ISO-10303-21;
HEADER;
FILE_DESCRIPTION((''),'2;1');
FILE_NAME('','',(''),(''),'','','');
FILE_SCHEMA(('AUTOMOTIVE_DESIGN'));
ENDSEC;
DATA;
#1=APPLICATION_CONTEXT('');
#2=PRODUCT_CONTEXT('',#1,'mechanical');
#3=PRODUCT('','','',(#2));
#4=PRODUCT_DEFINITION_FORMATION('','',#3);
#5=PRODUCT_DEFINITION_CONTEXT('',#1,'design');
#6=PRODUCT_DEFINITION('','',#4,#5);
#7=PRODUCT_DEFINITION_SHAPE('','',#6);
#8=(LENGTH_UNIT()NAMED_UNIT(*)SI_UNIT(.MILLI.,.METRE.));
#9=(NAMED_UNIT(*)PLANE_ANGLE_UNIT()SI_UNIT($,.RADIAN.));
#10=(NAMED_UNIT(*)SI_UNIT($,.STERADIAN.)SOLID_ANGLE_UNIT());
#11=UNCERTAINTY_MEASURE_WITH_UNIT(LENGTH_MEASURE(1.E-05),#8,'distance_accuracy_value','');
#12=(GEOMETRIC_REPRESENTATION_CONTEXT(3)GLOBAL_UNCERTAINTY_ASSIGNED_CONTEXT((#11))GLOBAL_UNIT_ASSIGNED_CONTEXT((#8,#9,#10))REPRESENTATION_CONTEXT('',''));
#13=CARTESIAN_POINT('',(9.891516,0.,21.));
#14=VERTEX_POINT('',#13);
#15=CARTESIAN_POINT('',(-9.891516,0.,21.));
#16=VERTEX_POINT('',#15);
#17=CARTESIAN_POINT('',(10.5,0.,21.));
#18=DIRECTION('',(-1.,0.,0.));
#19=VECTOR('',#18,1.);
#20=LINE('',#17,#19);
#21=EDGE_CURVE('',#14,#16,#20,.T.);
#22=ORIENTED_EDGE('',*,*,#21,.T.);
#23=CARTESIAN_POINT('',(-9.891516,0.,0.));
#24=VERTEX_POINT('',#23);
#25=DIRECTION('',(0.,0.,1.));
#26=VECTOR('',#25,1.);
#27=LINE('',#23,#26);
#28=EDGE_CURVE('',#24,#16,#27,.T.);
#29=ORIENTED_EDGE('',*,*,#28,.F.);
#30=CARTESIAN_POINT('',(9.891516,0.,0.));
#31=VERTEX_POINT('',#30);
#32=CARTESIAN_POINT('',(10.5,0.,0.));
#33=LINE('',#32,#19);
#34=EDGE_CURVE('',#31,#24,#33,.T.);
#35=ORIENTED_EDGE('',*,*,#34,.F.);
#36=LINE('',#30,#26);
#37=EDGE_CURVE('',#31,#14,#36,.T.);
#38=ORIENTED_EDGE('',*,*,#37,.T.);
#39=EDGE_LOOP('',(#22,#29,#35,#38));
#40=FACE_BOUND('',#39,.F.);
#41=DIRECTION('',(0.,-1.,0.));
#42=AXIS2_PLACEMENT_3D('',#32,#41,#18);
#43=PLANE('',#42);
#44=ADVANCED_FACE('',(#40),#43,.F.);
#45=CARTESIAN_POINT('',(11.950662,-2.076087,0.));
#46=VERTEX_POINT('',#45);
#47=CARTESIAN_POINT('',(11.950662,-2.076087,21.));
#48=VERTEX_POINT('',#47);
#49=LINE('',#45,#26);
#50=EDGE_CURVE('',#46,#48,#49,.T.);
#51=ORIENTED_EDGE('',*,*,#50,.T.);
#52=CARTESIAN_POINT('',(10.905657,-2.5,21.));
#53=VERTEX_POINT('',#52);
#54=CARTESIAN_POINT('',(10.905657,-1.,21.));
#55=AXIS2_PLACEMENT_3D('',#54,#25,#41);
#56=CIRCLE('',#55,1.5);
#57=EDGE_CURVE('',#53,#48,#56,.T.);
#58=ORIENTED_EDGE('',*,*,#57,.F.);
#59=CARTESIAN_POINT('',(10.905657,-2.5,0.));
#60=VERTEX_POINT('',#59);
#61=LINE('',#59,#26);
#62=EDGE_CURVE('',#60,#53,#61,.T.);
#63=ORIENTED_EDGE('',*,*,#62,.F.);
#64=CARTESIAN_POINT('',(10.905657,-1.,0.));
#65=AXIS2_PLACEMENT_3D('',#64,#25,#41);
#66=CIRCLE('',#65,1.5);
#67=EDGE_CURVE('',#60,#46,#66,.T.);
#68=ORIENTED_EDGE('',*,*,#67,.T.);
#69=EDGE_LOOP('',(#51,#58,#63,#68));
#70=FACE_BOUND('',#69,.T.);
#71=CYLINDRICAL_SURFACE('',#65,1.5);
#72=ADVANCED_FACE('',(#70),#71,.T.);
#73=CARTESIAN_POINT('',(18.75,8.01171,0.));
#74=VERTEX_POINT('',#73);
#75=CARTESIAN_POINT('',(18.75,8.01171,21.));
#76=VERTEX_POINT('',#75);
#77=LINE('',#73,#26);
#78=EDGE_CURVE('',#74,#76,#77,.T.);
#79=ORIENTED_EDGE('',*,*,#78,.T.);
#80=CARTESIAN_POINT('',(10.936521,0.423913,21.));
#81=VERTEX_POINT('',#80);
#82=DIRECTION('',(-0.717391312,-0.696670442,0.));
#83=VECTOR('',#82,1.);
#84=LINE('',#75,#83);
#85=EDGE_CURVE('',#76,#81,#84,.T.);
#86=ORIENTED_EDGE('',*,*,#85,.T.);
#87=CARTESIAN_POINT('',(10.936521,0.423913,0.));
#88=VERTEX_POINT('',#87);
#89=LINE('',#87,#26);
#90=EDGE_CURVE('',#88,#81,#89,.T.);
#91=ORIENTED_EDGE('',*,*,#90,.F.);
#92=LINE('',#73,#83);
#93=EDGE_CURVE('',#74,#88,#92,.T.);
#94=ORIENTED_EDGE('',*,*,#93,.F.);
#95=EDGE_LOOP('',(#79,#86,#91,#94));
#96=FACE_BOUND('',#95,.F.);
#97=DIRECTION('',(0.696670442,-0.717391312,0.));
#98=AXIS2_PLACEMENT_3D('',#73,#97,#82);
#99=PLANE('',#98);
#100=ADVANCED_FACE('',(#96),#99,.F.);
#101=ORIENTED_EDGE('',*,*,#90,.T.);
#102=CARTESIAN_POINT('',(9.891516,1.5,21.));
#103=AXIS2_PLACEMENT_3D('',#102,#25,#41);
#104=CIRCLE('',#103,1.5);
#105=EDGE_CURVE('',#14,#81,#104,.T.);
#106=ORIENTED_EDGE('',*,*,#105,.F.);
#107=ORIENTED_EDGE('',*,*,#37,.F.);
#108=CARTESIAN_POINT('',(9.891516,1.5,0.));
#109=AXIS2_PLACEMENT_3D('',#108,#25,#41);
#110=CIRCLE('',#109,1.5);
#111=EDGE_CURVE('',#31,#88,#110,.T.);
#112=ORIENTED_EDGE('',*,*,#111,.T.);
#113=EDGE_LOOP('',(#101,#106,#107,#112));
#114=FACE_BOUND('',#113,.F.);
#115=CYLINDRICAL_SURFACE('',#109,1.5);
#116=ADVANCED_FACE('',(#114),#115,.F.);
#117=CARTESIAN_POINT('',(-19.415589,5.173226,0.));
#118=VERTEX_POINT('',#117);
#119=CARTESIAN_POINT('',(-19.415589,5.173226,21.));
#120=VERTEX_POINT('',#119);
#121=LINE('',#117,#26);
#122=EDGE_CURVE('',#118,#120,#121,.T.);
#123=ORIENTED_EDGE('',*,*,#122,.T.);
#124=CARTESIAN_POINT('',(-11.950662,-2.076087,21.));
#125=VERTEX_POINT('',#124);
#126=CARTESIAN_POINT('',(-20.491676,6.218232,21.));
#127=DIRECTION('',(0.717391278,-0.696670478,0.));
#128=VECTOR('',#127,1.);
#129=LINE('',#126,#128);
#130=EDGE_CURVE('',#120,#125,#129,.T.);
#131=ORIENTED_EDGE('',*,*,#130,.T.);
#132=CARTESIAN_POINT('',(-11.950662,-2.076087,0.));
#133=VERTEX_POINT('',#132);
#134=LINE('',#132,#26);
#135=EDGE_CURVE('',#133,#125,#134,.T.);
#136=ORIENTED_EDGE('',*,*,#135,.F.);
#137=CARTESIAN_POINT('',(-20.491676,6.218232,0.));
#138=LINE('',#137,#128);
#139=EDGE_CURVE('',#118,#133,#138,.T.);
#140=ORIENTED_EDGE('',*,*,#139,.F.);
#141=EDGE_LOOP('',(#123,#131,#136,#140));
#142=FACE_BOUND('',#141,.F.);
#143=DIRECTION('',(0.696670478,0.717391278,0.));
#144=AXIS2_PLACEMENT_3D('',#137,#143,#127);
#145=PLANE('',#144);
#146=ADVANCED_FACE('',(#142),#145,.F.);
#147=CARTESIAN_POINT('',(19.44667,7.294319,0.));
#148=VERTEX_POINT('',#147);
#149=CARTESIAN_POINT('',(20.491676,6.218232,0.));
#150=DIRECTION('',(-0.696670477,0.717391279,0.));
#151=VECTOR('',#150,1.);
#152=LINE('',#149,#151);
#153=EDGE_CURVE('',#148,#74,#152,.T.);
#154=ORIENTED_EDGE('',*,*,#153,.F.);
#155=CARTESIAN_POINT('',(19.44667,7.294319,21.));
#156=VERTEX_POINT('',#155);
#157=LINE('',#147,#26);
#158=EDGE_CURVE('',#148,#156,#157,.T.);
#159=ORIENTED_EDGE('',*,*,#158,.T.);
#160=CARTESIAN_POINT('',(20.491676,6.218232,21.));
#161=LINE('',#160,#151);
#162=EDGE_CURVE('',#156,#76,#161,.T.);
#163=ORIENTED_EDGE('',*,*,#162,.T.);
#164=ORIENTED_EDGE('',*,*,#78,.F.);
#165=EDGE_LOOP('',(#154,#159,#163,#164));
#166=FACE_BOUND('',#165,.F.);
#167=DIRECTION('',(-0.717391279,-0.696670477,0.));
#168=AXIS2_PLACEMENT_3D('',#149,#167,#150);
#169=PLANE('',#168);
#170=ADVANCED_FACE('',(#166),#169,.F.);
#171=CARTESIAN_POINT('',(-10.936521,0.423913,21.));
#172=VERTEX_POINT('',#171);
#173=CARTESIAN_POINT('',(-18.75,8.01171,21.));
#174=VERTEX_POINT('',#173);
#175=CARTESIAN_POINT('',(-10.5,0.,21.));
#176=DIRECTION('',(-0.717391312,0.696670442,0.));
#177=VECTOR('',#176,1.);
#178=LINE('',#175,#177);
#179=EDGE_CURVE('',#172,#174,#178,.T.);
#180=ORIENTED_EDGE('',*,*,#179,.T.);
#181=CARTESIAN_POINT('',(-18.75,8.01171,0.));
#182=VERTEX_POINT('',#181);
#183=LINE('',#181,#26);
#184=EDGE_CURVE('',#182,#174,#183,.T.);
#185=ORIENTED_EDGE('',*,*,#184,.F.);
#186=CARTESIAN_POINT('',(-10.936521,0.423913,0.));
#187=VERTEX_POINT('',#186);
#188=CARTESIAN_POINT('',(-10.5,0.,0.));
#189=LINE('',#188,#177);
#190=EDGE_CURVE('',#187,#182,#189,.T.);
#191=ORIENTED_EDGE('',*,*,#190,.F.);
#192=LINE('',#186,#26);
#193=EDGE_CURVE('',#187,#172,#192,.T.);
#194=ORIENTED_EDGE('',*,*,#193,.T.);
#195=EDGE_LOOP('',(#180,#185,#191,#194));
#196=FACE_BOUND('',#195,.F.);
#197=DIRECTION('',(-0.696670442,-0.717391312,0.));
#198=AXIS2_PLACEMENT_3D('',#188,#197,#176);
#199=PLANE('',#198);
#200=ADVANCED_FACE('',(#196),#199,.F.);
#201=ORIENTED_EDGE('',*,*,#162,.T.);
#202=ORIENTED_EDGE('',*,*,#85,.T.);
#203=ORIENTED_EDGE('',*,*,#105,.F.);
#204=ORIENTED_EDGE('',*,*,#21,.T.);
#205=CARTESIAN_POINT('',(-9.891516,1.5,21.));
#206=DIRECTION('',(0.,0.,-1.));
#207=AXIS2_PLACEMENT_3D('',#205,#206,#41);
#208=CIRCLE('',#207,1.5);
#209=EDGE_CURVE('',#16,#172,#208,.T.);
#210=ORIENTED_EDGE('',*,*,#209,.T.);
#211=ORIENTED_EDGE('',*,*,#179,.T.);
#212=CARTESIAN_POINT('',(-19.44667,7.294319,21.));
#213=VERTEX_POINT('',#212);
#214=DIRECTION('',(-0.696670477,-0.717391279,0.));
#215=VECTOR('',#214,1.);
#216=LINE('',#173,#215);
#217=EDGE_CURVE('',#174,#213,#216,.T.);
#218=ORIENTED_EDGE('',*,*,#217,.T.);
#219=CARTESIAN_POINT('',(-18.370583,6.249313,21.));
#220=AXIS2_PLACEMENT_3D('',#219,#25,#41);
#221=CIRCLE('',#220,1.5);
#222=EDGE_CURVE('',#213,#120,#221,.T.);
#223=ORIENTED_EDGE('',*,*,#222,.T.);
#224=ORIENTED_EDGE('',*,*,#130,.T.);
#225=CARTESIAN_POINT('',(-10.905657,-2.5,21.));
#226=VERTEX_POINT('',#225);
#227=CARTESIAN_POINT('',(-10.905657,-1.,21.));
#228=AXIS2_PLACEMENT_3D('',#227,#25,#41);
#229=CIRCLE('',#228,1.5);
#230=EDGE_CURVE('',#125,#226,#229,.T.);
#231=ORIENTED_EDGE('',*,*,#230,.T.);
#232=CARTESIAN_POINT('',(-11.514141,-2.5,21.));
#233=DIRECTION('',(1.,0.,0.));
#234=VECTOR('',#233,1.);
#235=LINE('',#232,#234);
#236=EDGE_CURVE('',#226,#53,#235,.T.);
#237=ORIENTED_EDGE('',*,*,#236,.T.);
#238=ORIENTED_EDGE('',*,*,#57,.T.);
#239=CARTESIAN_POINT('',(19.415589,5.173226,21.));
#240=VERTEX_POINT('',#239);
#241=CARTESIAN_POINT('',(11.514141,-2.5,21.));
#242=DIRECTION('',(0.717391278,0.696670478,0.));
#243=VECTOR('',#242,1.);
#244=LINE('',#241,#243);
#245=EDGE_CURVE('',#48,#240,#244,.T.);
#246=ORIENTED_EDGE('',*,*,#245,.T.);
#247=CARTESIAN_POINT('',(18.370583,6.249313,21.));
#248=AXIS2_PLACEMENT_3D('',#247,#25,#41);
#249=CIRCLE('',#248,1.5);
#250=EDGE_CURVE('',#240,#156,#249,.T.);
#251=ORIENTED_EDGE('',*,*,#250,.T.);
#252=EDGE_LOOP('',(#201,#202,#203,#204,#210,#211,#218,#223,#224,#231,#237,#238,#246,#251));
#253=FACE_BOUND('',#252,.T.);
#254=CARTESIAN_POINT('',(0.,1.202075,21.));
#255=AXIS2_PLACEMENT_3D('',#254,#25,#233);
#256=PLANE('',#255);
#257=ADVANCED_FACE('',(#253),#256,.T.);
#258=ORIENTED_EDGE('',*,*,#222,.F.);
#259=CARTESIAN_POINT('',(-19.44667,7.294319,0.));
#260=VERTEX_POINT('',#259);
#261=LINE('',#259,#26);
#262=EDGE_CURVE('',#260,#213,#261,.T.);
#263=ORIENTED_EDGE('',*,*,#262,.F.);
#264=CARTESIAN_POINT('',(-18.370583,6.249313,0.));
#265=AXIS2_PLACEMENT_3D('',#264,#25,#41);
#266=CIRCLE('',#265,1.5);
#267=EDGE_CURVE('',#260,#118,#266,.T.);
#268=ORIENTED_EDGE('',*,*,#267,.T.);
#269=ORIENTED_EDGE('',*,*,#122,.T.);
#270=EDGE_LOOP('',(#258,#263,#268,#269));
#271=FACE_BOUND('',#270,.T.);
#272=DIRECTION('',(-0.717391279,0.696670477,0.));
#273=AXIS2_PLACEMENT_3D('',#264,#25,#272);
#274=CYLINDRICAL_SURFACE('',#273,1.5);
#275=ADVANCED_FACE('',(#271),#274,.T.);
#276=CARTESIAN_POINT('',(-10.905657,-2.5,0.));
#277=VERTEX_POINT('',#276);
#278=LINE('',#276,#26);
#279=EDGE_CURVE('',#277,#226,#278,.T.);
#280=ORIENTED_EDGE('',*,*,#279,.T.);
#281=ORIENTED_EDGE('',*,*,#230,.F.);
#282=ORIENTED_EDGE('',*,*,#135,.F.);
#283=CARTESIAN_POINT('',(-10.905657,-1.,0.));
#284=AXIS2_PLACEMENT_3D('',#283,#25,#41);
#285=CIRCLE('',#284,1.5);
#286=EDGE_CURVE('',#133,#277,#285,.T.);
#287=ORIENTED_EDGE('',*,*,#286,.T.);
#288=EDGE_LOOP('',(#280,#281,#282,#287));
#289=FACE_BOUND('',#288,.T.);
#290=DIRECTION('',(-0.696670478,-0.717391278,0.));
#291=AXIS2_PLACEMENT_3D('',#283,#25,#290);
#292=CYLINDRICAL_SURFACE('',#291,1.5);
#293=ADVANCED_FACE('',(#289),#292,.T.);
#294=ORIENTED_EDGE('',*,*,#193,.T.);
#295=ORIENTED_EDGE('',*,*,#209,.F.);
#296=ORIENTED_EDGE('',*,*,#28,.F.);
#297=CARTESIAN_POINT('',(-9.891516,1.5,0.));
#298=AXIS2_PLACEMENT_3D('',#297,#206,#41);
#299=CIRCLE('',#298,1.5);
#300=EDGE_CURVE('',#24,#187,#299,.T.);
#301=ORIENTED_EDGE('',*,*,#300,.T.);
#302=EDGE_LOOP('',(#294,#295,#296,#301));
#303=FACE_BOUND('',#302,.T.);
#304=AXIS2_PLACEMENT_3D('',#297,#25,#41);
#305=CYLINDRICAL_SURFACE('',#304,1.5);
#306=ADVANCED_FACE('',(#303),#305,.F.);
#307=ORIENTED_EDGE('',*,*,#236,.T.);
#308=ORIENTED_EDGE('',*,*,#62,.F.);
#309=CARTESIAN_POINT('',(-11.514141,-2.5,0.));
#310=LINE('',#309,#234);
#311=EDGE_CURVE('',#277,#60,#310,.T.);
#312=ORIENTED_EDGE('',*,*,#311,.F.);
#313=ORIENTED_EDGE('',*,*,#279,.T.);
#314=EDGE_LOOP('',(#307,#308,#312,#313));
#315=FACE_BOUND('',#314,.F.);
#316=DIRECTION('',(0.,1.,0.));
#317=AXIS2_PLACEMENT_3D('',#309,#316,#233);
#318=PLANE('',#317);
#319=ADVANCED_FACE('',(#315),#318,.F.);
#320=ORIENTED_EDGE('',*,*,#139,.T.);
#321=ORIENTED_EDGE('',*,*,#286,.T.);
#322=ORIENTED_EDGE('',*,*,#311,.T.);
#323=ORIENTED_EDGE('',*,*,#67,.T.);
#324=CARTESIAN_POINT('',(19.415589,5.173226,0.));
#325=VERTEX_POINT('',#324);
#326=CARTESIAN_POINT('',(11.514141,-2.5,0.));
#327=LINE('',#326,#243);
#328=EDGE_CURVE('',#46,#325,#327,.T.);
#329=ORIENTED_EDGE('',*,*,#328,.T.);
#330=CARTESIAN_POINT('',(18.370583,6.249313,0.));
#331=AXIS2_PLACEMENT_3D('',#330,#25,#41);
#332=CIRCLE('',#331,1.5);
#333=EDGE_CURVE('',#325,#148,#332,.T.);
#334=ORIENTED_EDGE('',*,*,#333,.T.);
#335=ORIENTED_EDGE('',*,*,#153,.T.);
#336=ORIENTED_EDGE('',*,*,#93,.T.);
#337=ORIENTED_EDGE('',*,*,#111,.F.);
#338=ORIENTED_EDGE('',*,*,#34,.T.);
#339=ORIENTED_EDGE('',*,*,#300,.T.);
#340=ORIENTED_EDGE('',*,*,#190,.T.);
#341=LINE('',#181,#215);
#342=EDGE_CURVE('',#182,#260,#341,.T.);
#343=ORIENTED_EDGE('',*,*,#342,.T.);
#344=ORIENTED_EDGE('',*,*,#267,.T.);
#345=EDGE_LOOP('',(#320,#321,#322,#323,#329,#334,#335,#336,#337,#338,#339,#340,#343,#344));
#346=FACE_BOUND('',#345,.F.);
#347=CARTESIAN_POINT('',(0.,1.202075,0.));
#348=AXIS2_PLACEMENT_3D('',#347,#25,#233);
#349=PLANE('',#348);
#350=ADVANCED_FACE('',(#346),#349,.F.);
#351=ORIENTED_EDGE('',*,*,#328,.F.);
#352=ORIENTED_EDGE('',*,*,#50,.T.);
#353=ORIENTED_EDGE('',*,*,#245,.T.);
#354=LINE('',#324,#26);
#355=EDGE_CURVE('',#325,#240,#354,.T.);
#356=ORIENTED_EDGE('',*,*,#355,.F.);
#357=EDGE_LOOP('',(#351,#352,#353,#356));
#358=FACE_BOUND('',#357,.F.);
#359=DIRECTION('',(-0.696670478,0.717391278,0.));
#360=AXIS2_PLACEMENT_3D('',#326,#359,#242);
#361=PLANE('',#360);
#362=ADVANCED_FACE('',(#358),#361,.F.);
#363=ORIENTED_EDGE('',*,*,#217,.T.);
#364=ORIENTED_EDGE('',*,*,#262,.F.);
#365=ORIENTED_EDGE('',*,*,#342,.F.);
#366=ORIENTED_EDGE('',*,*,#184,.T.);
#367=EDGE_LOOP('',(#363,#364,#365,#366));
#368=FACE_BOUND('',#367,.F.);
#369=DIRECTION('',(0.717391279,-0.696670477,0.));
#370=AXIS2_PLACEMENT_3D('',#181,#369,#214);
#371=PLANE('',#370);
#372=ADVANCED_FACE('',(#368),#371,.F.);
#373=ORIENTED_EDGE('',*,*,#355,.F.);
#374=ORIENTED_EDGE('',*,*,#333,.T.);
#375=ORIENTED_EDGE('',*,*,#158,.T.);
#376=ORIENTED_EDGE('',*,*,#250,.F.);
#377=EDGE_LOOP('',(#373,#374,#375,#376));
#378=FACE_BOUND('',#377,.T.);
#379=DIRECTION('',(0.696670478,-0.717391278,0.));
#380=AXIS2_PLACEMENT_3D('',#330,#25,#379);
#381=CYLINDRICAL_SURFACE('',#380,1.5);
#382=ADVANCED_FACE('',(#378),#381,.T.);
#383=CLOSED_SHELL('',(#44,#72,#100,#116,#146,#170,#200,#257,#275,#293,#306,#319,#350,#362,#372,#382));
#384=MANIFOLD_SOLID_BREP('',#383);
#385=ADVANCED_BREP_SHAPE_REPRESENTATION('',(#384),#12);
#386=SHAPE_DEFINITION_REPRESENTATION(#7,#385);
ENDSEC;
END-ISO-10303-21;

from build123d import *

# Parameters (mm, degrees)
F1_DEPTH = 21
F2_R     = 1.5


with BuildPart() as f1:
    # F0 (on Top) → F1 (new body)
    with BuildSketch(Plane.XY):
        Polygon((10.5, 0), (0, 0), (-10.5, 0), (-18.75, 8.01171), (-20.491676, 6.218232), (-11.514141, -2.5), (0, -2.5), (11.514141, -2.5), (20.491676, 6.218232), (18.75, 8.01171), align=None)
    extrude(amount=F1_DEPTH)

    # F2
    f2_edges = [f1.edges().sort_by_distance(p)[0] for p in [
        (-10.5, 0, 10.5),
        (10.5, 0, 10.5),
        (-11.514141, -2.5, 10.5),
        (11.514141, -2.5, 10.5),
        (-20.491676, 6.218232, 10.5),
        (20.491676, 6.218232, 10.5),
    ]]
    fillet(f2_edges, radius=F2_R)


solid = f1.part
